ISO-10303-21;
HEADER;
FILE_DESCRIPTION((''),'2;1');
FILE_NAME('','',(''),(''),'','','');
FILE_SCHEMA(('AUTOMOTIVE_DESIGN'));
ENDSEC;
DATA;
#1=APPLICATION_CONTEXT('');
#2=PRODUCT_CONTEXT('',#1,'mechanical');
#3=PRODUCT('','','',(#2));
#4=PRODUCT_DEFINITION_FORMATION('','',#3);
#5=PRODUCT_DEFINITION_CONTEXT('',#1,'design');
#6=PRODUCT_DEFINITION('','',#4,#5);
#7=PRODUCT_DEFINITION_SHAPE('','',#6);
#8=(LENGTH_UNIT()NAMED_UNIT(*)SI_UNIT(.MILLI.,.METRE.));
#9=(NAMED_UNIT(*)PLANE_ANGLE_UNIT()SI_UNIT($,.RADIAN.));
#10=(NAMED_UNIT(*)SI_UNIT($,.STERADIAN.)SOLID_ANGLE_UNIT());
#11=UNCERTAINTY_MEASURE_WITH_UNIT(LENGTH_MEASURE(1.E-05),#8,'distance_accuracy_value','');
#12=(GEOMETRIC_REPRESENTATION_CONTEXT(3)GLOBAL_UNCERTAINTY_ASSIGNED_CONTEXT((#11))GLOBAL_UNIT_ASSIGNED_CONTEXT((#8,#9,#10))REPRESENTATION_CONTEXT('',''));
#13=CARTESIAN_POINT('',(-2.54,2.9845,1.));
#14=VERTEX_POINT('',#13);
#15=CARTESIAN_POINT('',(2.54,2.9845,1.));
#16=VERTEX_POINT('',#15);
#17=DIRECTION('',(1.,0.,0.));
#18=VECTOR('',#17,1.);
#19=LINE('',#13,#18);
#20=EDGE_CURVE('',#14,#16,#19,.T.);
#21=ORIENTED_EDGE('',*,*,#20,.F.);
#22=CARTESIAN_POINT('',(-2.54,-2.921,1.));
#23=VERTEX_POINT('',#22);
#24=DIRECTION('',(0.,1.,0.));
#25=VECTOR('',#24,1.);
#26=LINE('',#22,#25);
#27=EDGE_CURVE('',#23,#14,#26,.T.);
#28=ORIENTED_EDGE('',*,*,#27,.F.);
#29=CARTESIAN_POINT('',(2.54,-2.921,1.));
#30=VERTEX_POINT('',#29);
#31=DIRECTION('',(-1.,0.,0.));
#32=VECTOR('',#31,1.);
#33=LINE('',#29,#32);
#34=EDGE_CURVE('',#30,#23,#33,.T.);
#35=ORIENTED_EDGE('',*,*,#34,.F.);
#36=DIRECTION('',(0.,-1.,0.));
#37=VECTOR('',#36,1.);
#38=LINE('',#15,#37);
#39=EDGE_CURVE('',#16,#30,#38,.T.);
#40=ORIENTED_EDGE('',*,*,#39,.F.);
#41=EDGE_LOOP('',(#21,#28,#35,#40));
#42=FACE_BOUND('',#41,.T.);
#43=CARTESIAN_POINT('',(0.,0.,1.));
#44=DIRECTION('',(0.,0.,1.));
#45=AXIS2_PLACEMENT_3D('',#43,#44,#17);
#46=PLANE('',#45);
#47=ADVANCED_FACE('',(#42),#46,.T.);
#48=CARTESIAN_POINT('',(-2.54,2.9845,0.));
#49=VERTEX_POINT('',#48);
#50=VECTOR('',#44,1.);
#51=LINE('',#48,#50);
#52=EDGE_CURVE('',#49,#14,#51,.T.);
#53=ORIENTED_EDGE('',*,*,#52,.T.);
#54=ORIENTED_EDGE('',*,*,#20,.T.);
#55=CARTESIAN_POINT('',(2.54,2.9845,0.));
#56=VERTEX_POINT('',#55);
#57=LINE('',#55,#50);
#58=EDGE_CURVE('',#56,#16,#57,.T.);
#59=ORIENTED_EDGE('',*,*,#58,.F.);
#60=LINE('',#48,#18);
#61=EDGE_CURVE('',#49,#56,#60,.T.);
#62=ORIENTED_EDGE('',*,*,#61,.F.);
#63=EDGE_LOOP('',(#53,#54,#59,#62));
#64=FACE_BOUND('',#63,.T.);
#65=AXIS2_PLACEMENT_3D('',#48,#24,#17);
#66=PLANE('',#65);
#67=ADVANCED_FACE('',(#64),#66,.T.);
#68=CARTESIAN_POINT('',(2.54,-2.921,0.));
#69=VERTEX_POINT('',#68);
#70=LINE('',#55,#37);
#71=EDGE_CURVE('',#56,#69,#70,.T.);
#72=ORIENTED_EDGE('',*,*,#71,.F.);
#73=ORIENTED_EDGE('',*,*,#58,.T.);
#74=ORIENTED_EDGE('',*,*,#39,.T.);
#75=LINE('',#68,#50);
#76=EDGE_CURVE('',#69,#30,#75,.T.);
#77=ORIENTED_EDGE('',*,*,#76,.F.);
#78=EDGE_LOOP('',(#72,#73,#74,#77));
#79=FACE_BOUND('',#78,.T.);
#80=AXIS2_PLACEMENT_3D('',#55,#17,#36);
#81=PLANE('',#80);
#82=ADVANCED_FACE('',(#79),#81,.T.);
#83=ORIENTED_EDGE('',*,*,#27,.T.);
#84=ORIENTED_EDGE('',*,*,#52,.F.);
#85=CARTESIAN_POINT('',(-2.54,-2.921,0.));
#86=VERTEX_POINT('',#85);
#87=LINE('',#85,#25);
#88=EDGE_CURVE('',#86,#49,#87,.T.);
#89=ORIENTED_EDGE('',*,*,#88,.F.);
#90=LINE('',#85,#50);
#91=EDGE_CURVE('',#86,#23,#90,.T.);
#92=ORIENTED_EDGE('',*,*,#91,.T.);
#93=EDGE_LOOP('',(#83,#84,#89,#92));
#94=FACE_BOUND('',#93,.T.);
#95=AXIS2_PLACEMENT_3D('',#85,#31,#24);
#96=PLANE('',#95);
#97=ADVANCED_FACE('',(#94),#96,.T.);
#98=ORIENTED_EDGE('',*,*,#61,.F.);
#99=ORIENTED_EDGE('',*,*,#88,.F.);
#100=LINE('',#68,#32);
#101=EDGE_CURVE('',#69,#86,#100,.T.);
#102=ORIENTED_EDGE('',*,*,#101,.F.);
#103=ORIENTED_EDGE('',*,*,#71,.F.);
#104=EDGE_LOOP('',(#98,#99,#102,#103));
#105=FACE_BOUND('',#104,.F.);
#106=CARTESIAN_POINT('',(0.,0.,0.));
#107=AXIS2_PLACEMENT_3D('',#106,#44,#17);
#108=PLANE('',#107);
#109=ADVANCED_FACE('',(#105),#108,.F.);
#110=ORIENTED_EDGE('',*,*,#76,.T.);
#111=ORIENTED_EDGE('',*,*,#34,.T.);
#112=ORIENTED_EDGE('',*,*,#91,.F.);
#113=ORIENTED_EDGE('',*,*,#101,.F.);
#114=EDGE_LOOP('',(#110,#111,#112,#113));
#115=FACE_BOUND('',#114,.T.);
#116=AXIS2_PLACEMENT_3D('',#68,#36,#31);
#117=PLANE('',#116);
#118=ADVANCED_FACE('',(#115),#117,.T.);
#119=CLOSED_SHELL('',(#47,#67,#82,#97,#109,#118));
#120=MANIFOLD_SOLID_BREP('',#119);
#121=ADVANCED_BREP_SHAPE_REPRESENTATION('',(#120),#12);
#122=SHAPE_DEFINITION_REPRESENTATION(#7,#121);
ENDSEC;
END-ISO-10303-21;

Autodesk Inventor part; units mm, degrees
ref_plane "YZ Plane" through (0, 0, 0) normal (1, 0, 0) x (0, 1, 0)
ref_plane "XZ Plane" through (0, 0, 0) normal (0, 1, 0) x (-1, 0, 0)
ref_plane "XY Plane" through (0, 0, 0) normal (0, 0, 1) x (1, 0, 0)
sketch "6410-02, KICKER_ENCODER_36" plane through (0, 0, 0) normal (0, 0, 1) x (1, 0, 0)
  line L0 (-2.54, 2.9845) -> (2.54, 2.9845)
  line L1 (2.54, 2.9845) -> (2.54, -2.921)
  line L2 (2.54, -2.921) -> (-2.54, -2.921)
  line L3 (-2.54, -2.921) -> (-2.54, 2.9845)
extrude "Extrusion1" add sketch "6410-02, KICKER_ENCODER_36" along normal blind 1
properties part number "KICKER_ENCODER"
